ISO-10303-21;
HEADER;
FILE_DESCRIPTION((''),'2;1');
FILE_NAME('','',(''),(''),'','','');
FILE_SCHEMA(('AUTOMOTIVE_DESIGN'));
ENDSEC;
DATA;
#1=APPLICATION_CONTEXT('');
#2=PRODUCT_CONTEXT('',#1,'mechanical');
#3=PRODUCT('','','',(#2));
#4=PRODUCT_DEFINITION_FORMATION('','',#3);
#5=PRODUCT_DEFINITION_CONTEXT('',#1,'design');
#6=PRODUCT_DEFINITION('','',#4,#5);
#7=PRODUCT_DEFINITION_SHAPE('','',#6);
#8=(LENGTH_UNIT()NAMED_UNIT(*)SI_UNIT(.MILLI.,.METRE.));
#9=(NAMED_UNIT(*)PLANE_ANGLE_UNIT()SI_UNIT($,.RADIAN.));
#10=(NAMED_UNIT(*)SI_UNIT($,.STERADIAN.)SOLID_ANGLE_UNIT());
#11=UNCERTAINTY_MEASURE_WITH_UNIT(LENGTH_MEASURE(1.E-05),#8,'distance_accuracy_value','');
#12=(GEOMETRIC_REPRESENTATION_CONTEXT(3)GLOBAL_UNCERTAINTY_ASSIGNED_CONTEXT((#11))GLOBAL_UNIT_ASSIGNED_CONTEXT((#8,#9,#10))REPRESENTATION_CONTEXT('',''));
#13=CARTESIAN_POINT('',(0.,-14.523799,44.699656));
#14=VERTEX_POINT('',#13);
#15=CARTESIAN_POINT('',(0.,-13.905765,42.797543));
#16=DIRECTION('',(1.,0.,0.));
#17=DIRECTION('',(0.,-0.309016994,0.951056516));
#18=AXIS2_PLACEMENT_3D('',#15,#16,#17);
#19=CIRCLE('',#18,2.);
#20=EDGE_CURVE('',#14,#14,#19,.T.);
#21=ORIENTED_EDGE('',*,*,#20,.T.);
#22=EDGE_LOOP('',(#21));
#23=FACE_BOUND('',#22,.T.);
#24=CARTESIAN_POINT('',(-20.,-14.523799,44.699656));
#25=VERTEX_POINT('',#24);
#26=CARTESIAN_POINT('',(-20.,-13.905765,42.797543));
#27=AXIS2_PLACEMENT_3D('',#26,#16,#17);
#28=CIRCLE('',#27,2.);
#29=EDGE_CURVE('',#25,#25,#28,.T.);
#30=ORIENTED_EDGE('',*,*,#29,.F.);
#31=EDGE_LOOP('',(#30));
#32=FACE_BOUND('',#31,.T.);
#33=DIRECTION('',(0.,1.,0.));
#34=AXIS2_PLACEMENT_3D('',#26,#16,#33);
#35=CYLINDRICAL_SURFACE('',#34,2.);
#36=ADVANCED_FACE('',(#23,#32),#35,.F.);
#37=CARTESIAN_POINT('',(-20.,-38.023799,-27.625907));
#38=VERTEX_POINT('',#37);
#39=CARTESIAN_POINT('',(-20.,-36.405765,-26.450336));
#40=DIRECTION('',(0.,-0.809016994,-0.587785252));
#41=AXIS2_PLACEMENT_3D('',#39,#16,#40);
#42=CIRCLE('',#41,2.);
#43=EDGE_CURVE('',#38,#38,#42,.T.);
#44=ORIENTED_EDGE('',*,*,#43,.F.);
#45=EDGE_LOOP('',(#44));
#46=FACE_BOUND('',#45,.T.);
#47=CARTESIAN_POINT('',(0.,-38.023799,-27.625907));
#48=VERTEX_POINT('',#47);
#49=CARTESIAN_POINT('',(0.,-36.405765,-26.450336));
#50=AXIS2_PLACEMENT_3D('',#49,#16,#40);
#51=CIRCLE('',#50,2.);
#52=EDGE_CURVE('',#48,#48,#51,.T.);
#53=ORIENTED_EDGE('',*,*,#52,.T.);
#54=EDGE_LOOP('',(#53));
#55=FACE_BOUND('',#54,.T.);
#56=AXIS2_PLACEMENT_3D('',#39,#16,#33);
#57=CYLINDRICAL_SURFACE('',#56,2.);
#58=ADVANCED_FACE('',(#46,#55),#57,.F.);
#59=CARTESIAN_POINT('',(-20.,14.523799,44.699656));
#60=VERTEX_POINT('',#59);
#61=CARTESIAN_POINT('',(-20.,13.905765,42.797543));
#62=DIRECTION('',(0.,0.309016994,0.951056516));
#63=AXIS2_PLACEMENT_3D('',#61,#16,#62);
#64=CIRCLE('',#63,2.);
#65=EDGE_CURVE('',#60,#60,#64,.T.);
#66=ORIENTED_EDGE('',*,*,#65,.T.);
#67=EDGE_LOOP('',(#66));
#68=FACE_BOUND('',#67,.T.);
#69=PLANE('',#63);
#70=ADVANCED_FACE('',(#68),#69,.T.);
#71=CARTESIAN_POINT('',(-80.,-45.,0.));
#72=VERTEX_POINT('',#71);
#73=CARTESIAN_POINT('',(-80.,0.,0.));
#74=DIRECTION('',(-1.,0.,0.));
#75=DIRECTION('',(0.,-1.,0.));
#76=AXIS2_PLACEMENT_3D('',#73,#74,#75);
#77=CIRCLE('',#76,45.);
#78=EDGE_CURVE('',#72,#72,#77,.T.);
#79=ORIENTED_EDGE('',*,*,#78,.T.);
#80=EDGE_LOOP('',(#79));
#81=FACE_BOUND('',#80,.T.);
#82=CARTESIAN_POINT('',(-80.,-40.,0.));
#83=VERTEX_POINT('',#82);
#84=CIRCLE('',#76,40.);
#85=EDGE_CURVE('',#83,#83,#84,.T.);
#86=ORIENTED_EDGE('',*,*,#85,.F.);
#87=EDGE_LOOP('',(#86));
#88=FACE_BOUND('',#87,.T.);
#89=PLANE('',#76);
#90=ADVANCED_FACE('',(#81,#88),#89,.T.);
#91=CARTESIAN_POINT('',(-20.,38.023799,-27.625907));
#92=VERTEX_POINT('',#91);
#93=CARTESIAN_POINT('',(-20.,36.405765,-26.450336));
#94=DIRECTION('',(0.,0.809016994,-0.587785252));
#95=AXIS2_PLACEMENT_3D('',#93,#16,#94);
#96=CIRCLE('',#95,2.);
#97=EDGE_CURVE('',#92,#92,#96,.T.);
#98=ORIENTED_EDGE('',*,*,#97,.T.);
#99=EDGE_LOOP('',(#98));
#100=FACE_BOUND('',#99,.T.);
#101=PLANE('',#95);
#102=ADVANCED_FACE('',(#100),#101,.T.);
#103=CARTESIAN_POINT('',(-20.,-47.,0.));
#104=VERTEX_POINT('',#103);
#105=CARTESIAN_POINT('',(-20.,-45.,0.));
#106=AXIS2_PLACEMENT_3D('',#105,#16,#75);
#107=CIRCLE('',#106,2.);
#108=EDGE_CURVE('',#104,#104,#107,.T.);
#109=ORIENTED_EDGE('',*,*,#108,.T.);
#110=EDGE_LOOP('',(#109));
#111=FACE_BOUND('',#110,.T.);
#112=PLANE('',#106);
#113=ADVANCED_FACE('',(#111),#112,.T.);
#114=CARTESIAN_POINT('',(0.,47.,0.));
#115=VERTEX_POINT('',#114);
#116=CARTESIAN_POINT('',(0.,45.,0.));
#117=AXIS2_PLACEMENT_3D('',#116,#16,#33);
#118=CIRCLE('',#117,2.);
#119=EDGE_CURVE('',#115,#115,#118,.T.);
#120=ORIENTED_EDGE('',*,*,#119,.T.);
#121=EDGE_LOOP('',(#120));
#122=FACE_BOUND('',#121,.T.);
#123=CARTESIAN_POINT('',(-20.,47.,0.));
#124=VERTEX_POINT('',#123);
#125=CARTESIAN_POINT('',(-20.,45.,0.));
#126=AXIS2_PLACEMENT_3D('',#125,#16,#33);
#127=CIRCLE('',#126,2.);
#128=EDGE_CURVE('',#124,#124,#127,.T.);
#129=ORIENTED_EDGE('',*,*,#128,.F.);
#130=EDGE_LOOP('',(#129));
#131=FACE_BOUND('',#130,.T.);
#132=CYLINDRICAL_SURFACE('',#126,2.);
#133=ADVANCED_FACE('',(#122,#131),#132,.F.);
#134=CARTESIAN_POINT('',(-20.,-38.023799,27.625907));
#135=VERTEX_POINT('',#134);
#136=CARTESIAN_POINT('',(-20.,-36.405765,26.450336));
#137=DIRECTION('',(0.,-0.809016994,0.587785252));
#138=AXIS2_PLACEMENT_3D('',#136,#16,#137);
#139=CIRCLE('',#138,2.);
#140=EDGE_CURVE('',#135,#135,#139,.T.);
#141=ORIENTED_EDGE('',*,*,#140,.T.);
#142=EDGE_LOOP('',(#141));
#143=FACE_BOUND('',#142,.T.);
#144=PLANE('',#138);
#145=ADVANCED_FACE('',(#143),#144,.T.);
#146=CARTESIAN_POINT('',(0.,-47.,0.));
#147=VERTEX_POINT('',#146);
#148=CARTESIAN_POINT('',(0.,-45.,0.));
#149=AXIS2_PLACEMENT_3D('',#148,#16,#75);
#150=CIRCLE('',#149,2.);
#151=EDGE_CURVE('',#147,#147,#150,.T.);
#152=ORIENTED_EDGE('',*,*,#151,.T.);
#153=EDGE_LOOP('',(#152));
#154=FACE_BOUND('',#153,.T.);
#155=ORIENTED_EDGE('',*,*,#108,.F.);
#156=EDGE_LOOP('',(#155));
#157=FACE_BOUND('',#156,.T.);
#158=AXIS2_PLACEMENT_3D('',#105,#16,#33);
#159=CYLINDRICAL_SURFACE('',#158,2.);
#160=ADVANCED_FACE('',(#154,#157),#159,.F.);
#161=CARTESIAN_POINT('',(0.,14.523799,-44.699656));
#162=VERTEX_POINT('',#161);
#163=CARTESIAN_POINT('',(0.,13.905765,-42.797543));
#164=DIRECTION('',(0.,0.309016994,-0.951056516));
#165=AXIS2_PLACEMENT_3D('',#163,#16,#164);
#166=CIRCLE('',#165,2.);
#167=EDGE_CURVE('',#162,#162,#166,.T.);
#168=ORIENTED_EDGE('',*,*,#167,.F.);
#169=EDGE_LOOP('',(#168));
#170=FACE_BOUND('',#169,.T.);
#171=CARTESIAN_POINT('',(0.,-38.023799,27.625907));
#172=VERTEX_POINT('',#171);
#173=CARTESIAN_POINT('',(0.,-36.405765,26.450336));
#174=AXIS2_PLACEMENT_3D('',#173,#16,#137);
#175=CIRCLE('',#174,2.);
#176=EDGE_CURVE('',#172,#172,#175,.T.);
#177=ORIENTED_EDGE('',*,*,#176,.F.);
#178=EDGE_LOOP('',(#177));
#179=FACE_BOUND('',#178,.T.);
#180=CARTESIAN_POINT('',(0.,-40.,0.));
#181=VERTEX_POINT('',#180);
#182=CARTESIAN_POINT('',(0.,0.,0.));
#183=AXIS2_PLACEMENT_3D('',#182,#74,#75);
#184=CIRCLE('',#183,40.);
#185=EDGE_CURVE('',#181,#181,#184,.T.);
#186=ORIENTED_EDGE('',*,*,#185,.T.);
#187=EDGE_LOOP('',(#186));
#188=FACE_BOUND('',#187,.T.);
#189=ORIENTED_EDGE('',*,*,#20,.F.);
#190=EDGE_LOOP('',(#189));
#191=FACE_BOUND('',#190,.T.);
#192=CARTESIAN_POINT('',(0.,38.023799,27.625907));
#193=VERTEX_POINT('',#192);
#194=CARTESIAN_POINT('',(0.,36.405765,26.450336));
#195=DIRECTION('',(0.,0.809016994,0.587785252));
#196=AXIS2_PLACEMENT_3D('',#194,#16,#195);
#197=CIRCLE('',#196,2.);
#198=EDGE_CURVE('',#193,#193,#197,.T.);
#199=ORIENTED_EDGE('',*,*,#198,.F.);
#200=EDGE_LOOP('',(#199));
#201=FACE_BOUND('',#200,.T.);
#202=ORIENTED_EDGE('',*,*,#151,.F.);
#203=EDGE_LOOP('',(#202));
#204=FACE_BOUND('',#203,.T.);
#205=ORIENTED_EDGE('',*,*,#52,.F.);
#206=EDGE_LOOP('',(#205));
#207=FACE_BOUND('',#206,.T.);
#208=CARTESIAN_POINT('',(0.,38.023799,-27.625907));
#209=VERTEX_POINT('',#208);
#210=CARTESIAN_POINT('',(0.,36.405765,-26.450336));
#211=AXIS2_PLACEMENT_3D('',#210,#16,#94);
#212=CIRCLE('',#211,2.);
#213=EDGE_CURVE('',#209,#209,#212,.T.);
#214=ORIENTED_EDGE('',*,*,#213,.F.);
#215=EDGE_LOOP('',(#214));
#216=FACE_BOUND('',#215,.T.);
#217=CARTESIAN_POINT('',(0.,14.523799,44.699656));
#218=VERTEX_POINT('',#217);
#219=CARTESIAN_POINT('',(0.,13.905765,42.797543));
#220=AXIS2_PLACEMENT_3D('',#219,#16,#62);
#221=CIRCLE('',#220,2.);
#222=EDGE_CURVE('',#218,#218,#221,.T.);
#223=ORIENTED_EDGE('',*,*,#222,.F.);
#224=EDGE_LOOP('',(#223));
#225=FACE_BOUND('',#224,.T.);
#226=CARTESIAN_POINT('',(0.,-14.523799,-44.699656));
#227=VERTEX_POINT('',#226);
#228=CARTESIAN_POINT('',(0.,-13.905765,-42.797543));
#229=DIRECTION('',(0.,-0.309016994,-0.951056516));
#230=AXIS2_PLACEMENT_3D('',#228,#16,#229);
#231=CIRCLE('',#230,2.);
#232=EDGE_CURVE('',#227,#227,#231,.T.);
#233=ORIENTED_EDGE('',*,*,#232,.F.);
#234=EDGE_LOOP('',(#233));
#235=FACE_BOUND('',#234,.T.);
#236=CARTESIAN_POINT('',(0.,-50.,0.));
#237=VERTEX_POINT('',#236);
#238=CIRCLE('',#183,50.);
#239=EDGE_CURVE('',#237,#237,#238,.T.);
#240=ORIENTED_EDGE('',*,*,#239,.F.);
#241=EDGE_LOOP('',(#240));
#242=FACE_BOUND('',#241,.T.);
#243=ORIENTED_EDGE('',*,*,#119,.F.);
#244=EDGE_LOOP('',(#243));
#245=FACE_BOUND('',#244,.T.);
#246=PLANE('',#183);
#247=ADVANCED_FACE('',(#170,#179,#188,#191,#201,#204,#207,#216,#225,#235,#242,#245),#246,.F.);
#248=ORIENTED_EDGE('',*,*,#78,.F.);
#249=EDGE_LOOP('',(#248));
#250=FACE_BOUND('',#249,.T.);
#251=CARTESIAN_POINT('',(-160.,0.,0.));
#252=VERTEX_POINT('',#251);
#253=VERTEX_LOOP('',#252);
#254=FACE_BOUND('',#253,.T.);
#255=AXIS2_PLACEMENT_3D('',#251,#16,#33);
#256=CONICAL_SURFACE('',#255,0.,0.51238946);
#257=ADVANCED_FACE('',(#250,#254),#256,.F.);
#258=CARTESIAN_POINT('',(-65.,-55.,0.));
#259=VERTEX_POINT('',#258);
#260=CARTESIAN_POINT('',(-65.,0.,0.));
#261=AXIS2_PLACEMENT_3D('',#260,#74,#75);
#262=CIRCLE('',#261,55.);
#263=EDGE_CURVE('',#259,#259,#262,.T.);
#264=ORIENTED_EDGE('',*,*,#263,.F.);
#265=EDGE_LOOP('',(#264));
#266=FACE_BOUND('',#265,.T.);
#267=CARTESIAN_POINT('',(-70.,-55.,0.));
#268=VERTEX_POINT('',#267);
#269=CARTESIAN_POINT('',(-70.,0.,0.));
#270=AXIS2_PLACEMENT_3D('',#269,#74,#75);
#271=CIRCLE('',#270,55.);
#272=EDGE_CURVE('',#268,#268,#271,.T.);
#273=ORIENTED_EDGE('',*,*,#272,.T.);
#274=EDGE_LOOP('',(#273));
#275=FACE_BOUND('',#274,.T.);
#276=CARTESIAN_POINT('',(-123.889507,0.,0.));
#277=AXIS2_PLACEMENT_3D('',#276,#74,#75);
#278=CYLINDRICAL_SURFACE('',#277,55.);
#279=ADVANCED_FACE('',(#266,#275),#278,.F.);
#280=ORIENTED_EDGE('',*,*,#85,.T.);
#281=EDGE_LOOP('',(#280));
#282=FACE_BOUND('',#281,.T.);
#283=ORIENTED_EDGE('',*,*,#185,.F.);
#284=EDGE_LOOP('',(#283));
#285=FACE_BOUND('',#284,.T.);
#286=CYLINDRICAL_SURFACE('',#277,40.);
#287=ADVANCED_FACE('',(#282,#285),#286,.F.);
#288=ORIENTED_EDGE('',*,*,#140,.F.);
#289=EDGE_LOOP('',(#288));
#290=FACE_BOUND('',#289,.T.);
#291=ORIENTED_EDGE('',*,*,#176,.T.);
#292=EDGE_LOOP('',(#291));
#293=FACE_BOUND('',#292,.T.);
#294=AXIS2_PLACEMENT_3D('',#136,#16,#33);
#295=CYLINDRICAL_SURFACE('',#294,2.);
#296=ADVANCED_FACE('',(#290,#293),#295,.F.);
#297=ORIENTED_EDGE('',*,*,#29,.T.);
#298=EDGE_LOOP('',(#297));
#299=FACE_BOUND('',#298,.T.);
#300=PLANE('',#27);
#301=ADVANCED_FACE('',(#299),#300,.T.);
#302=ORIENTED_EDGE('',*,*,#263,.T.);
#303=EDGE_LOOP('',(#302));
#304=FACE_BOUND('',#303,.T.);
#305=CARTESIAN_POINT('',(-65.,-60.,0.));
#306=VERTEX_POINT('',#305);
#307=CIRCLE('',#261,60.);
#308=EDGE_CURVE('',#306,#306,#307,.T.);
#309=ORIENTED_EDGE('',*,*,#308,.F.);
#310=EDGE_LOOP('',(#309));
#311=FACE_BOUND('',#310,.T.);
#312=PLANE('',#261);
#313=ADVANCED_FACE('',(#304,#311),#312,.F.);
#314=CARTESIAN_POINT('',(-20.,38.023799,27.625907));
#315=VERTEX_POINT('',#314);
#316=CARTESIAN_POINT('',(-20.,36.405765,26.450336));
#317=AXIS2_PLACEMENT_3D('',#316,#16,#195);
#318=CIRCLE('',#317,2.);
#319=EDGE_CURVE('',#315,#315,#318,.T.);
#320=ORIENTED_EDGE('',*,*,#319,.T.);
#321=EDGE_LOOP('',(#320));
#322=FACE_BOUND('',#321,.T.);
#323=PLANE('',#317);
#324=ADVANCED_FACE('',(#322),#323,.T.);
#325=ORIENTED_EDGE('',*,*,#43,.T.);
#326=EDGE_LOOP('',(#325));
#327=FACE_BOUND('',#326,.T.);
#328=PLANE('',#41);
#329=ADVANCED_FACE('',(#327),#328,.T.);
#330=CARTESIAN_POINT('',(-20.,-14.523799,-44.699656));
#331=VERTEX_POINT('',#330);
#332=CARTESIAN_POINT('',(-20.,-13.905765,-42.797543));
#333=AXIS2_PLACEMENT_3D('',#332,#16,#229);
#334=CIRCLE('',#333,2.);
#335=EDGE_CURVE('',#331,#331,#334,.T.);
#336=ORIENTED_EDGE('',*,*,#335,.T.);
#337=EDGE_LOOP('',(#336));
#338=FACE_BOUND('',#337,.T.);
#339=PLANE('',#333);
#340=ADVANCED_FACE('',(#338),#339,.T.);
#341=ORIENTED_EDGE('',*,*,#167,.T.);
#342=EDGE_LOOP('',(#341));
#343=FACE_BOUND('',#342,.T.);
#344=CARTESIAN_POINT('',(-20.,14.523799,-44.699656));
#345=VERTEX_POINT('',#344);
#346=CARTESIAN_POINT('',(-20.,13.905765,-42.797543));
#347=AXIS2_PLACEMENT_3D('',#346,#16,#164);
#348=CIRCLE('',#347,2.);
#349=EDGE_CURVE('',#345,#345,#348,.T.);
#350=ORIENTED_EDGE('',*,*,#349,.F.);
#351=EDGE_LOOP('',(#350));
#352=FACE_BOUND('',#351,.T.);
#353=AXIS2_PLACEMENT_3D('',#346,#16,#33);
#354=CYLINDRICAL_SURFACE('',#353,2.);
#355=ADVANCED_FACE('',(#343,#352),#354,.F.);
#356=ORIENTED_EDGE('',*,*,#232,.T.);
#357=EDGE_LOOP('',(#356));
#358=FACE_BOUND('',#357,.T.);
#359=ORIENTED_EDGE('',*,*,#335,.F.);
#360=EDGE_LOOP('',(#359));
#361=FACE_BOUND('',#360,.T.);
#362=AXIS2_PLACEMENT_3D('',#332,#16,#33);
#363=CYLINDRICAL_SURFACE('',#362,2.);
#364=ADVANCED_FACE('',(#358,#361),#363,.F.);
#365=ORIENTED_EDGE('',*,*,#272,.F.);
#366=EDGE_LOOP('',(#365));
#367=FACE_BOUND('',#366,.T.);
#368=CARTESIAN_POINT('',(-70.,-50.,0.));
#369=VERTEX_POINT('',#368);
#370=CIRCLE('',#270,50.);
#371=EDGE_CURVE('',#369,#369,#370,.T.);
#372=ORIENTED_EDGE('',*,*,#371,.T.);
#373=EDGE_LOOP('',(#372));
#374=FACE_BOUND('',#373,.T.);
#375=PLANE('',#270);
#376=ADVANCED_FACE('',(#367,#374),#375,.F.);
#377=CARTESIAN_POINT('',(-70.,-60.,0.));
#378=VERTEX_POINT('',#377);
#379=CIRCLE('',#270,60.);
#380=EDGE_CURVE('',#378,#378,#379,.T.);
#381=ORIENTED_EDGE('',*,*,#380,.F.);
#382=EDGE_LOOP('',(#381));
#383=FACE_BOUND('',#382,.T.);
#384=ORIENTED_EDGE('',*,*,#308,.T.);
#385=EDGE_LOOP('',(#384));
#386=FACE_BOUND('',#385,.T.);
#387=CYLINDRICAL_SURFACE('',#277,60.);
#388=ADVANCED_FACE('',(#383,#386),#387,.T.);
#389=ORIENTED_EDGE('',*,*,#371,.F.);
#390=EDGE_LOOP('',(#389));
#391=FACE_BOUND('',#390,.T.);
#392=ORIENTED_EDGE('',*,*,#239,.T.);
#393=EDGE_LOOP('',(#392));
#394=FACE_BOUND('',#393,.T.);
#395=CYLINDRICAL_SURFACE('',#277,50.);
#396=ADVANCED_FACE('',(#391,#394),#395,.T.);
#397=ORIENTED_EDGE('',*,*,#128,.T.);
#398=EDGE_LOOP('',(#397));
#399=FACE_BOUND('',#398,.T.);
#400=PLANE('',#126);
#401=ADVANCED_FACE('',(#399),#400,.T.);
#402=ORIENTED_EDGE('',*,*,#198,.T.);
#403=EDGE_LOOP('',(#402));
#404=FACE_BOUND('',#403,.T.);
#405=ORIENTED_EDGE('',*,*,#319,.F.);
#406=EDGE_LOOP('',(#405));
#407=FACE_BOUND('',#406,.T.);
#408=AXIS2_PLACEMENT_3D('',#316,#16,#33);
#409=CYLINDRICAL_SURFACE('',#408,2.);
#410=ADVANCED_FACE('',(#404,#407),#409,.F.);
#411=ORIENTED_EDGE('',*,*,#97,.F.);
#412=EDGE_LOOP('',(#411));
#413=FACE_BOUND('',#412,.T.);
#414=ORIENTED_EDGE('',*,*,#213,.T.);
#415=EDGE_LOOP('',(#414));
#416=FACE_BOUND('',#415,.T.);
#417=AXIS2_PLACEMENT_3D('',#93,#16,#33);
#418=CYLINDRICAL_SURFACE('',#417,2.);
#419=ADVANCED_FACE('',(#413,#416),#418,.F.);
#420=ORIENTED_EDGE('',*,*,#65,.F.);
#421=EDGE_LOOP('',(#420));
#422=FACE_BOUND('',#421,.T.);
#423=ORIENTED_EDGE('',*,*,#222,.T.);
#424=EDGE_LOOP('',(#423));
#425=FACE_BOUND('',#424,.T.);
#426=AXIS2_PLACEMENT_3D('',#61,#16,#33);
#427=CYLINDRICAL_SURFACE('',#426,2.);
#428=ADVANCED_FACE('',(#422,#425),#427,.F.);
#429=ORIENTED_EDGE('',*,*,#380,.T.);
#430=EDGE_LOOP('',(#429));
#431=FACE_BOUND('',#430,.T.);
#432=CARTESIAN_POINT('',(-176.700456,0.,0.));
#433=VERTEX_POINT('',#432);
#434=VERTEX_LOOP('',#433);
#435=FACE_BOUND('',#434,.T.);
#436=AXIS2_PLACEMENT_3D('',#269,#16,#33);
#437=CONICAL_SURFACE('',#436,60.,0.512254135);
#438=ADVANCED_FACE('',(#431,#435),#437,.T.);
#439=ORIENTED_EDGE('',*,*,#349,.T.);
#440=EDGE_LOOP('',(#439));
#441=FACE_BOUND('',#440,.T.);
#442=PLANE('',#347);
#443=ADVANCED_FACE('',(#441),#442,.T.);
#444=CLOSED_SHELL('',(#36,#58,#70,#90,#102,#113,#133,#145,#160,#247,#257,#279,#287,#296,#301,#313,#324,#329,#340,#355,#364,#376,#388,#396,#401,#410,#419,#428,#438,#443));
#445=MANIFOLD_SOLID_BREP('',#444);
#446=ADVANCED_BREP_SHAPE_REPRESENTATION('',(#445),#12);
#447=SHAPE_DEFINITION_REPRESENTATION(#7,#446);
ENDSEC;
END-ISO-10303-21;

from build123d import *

# Parameters (mm, degrees)
SKETCH2_R          = 2
CUT_EXTRUDE1_DEPTH = 20
CIRPATTERN1_COUNT  = 10


with BuildPart() as part:
    # Sketch1 → Revolve2 (revolve)
    with BuildSketch(Plane.XY, mode=Mode.PRIVATE) as revolve2_sk:
        Polygon((-65, 60), (-70, 60), (-176.700455888, 0), (-160, 0), (-80, 45), (-80, 40), (0, 40), (0, 50), (-70, 50), (-70, 55), (-65, 55), align=None)
    revolve(revolve2_sk.sketch.rotate(Axis((-123.889506721, 0, 0), (1, 0, 0)), 180), axis=Axis((-123.889506721, 0, 0), (1, 0, 0)))

    # Sketch2 → Cut-Extrude1 (cut)
    with BuildSketch(Plane(origin=(0, 0, 0), x_dir=(0, 0, -1), z_dir=(1, 0, 0))):
        with Locations(Location((0, 45, 0), (0, 0, 90))):
            Circle(SKETCH2_R)
    cut_extrude1 = extrude(amount=-CUT_EXTRUDE1_DEPTH, mode=Mode.SUBTRACT)

    # CirPattern1: Cut-Extrude1 ×10 about axis
    cirpattern1_axis = Axis((0, 0, 0), (1, 0, 0))
    for i in range(1, CIRPATTERN1_COUNT):
        add(cut_extrude1.rotate(cirpattern1_axis, i * 360 / CIRPATTERN1_COUNT), mode=Mode.SUBTRACT)


solid = part.part
